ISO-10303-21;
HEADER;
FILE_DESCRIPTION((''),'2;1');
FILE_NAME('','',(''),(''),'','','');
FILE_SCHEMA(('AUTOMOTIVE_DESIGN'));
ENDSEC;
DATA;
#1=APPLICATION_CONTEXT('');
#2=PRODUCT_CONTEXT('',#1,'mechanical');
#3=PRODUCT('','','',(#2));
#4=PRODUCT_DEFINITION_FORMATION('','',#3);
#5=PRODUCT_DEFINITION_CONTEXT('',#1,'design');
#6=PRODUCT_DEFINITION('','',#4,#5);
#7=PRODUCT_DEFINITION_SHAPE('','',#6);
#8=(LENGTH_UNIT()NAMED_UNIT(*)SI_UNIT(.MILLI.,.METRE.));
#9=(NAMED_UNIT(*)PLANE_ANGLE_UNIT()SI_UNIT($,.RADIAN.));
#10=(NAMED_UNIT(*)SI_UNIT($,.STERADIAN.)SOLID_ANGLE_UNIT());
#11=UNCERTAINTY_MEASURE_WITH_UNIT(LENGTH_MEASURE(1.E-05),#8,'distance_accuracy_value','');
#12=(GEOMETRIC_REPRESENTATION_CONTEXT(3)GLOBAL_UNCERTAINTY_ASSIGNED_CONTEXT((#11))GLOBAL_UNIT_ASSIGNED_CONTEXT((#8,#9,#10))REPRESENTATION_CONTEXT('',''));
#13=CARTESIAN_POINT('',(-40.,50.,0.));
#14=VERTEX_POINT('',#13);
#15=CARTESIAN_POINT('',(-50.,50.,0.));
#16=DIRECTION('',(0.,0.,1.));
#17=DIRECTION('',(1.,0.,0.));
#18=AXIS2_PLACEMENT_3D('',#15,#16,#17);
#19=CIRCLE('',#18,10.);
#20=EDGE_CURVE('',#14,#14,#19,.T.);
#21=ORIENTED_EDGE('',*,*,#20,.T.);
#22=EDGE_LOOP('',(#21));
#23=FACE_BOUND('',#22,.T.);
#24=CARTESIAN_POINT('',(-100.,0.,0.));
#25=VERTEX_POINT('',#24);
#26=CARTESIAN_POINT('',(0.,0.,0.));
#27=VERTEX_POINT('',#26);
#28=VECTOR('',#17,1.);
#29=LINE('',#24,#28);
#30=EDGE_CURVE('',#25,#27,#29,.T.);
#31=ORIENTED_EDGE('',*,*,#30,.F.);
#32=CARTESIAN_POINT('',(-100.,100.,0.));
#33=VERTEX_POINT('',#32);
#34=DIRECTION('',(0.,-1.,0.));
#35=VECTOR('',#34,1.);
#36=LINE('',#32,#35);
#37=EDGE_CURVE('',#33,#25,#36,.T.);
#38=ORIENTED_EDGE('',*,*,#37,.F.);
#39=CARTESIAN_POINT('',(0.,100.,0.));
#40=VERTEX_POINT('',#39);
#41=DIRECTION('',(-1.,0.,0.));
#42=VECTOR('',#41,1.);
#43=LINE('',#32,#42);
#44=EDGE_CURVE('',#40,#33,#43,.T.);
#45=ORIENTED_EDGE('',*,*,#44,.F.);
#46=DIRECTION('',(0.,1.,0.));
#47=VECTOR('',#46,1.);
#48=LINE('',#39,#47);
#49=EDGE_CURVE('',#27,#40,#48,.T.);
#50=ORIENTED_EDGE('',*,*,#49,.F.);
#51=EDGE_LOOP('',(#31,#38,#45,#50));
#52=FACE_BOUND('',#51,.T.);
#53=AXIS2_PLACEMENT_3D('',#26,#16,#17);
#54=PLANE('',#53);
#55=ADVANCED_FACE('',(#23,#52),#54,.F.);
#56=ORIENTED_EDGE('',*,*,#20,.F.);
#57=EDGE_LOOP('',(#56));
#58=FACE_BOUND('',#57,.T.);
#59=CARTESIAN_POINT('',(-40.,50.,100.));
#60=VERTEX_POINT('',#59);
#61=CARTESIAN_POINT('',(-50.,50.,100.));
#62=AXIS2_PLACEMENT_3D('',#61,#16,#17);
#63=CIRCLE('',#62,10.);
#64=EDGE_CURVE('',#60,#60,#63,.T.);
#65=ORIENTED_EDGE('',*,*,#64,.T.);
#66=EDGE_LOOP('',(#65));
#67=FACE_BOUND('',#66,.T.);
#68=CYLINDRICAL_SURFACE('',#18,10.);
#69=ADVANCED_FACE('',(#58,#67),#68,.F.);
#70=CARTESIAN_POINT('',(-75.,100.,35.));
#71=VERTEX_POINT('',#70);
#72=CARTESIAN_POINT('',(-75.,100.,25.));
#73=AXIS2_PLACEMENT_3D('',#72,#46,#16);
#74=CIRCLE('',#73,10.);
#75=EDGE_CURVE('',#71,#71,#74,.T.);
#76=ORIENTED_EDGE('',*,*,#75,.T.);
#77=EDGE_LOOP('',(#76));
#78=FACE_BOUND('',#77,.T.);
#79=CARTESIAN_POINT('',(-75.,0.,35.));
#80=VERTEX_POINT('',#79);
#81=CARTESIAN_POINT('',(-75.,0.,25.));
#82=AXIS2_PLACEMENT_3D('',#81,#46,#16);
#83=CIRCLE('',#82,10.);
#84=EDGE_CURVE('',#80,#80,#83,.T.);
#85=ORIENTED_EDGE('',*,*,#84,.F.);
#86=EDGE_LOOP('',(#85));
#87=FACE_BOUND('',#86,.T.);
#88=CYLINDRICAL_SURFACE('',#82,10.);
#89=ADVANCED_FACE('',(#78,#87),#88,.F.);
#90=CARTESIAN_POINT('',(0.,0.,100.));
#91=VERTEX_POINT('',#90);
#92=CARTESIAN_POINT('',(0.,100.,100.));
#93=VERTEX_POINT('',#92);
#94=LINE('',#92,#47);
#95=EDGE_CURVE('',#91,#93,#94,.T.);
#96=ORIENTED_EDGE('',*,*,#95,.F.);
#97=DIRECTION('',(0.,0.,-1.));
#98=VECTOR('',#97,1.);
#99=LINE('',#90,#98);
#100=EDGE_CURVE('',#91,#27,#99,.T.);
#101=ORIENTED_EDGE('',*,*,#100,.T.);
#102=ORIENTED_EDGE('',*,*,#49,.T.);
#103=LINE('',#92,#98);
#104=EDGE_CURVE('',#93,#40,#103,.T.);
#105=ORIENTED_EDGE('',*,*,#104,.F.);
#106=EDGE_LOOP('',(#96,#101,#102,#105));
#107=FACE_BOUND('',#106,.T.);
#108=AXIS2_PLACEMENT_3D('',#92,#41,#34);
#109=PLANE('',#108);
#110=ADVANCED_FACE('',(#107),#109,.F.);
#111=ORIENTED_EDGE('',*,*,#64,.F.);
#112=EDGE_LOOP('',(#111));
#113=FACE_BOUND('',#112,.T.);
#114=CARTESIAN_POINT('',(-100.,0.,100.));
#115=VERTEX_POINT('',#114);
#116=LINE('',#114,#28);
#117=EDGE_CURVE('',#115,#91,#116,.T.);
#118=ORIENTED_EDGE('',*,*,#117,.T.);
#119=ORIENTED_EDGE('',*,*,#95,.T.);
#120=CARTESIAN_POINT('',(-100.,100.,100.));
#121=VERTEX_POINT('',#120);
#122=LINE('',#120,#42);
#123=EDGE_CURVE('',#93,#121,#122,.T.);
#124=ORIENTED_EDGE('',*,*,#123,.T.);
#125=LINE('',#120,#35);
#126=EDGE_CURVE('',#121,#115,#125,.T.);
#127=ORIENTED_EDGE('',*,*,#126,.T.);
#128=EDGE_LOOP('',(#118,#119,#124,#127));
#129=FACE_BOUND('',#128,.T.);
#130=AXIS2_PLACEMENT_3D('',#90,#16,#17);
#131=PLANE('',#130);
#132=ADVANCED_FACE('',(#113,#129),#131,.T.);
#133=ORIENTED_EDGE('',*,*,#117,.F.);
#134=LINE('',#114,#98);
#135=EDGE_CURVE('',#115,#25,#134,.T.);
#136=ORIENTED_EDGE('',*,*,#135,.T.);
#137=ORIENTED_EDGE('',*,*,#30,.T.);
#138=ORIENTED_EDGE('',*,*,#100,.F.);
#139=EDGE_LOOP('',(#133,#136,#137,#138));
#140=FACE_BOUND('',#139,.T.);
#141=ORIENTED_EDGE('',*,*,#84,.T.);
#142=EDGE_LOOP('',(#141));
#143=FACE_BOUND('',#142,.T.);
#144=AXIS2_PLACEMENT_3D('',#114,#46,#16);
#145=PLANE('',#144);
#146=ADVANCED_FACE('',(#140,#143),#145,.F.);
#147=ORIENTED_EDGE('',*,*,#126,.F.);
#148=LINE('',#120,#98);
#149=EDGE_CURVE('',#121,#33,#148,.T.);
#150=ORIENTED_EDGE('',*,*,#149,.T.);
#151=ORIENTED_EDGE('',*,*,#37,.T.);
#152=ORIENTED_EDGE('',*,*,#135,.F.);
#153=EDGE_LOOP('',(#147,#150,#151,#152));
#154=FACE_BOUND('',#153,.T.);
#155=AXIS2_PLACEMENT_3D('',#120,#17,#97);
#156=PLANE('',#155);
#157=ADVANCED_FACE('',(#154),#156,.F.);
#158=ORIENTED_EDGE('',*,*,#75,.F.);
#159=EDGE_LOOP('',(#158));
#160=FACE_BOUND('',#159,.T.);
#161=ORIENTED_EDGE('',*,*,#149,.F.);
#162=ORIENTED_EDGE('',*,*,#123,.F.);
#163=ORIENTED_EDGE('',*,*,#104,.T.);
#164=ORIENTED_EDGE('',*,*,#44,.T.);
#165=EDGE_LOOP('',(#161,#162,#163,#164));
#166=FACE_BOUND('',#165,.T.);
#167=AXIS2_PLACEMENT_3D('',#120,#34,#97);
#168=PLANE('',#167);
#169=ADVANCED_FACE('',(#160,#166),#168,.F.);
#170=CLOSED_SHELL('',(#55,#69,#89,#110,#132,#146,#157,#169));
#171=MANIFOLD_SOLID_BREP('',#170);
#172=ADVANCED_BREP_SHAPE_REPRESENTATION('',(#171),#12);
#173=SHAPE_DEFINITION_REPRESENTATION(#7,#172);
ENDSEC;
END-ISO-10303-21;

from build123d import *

# Parameters (mm, degrees)
ESQUISSE2_W             = 100
ESQUISSE2_H             = 100
BOSS_EXTRU_1_DEPTH      = 100
ESQUISSE3_R             = 10
ENL_V_MAT_EXTRU_1_DEPTH = 101
ESQUISSE4_R             = 10
ENL_V_MAT_EXTRU_2_DEPTH = 101


with BuildPart() as part:
    # Esquisse2 → Boss.-Extru.1 (new body)
    with BuildSketch(Plane.XY):
        with Locations((-50, 50)):
            Rectangle(ESQUISSE2_W, ESQUISSE2_H)
    extrude(amount=BOSS_EXTRU_1_DEPTH)

    # Esquisse3 → Enlèv. mat.-Extru.1 (cut, through all)
    with BuildSketch(Plane.XY.offset(100)):
        with Locations((-50, 50)):
            Circle(ESQUISSE3_R)
    extrude(amount=-ENL_V_MAT_EXTRU_1_DEPTH, mode=Mode.SUBTRACT)

    # Esquisse4 → Enlèv. mat.-Extru.2 (cut, through all)
    with BuildSketch(Plane(origin=(0, 100, 0), x_dir=(1, 0, 0), z_dir=(0, 1, 0))):
        with Locations((-75, -25)):
            Circle(ESQUISSE4_R)
    extrude(amount=-ENL_V_MAT_EXTRU_2_DEPTH, mode=Mode.SUBTRACT)


solid = part.part
